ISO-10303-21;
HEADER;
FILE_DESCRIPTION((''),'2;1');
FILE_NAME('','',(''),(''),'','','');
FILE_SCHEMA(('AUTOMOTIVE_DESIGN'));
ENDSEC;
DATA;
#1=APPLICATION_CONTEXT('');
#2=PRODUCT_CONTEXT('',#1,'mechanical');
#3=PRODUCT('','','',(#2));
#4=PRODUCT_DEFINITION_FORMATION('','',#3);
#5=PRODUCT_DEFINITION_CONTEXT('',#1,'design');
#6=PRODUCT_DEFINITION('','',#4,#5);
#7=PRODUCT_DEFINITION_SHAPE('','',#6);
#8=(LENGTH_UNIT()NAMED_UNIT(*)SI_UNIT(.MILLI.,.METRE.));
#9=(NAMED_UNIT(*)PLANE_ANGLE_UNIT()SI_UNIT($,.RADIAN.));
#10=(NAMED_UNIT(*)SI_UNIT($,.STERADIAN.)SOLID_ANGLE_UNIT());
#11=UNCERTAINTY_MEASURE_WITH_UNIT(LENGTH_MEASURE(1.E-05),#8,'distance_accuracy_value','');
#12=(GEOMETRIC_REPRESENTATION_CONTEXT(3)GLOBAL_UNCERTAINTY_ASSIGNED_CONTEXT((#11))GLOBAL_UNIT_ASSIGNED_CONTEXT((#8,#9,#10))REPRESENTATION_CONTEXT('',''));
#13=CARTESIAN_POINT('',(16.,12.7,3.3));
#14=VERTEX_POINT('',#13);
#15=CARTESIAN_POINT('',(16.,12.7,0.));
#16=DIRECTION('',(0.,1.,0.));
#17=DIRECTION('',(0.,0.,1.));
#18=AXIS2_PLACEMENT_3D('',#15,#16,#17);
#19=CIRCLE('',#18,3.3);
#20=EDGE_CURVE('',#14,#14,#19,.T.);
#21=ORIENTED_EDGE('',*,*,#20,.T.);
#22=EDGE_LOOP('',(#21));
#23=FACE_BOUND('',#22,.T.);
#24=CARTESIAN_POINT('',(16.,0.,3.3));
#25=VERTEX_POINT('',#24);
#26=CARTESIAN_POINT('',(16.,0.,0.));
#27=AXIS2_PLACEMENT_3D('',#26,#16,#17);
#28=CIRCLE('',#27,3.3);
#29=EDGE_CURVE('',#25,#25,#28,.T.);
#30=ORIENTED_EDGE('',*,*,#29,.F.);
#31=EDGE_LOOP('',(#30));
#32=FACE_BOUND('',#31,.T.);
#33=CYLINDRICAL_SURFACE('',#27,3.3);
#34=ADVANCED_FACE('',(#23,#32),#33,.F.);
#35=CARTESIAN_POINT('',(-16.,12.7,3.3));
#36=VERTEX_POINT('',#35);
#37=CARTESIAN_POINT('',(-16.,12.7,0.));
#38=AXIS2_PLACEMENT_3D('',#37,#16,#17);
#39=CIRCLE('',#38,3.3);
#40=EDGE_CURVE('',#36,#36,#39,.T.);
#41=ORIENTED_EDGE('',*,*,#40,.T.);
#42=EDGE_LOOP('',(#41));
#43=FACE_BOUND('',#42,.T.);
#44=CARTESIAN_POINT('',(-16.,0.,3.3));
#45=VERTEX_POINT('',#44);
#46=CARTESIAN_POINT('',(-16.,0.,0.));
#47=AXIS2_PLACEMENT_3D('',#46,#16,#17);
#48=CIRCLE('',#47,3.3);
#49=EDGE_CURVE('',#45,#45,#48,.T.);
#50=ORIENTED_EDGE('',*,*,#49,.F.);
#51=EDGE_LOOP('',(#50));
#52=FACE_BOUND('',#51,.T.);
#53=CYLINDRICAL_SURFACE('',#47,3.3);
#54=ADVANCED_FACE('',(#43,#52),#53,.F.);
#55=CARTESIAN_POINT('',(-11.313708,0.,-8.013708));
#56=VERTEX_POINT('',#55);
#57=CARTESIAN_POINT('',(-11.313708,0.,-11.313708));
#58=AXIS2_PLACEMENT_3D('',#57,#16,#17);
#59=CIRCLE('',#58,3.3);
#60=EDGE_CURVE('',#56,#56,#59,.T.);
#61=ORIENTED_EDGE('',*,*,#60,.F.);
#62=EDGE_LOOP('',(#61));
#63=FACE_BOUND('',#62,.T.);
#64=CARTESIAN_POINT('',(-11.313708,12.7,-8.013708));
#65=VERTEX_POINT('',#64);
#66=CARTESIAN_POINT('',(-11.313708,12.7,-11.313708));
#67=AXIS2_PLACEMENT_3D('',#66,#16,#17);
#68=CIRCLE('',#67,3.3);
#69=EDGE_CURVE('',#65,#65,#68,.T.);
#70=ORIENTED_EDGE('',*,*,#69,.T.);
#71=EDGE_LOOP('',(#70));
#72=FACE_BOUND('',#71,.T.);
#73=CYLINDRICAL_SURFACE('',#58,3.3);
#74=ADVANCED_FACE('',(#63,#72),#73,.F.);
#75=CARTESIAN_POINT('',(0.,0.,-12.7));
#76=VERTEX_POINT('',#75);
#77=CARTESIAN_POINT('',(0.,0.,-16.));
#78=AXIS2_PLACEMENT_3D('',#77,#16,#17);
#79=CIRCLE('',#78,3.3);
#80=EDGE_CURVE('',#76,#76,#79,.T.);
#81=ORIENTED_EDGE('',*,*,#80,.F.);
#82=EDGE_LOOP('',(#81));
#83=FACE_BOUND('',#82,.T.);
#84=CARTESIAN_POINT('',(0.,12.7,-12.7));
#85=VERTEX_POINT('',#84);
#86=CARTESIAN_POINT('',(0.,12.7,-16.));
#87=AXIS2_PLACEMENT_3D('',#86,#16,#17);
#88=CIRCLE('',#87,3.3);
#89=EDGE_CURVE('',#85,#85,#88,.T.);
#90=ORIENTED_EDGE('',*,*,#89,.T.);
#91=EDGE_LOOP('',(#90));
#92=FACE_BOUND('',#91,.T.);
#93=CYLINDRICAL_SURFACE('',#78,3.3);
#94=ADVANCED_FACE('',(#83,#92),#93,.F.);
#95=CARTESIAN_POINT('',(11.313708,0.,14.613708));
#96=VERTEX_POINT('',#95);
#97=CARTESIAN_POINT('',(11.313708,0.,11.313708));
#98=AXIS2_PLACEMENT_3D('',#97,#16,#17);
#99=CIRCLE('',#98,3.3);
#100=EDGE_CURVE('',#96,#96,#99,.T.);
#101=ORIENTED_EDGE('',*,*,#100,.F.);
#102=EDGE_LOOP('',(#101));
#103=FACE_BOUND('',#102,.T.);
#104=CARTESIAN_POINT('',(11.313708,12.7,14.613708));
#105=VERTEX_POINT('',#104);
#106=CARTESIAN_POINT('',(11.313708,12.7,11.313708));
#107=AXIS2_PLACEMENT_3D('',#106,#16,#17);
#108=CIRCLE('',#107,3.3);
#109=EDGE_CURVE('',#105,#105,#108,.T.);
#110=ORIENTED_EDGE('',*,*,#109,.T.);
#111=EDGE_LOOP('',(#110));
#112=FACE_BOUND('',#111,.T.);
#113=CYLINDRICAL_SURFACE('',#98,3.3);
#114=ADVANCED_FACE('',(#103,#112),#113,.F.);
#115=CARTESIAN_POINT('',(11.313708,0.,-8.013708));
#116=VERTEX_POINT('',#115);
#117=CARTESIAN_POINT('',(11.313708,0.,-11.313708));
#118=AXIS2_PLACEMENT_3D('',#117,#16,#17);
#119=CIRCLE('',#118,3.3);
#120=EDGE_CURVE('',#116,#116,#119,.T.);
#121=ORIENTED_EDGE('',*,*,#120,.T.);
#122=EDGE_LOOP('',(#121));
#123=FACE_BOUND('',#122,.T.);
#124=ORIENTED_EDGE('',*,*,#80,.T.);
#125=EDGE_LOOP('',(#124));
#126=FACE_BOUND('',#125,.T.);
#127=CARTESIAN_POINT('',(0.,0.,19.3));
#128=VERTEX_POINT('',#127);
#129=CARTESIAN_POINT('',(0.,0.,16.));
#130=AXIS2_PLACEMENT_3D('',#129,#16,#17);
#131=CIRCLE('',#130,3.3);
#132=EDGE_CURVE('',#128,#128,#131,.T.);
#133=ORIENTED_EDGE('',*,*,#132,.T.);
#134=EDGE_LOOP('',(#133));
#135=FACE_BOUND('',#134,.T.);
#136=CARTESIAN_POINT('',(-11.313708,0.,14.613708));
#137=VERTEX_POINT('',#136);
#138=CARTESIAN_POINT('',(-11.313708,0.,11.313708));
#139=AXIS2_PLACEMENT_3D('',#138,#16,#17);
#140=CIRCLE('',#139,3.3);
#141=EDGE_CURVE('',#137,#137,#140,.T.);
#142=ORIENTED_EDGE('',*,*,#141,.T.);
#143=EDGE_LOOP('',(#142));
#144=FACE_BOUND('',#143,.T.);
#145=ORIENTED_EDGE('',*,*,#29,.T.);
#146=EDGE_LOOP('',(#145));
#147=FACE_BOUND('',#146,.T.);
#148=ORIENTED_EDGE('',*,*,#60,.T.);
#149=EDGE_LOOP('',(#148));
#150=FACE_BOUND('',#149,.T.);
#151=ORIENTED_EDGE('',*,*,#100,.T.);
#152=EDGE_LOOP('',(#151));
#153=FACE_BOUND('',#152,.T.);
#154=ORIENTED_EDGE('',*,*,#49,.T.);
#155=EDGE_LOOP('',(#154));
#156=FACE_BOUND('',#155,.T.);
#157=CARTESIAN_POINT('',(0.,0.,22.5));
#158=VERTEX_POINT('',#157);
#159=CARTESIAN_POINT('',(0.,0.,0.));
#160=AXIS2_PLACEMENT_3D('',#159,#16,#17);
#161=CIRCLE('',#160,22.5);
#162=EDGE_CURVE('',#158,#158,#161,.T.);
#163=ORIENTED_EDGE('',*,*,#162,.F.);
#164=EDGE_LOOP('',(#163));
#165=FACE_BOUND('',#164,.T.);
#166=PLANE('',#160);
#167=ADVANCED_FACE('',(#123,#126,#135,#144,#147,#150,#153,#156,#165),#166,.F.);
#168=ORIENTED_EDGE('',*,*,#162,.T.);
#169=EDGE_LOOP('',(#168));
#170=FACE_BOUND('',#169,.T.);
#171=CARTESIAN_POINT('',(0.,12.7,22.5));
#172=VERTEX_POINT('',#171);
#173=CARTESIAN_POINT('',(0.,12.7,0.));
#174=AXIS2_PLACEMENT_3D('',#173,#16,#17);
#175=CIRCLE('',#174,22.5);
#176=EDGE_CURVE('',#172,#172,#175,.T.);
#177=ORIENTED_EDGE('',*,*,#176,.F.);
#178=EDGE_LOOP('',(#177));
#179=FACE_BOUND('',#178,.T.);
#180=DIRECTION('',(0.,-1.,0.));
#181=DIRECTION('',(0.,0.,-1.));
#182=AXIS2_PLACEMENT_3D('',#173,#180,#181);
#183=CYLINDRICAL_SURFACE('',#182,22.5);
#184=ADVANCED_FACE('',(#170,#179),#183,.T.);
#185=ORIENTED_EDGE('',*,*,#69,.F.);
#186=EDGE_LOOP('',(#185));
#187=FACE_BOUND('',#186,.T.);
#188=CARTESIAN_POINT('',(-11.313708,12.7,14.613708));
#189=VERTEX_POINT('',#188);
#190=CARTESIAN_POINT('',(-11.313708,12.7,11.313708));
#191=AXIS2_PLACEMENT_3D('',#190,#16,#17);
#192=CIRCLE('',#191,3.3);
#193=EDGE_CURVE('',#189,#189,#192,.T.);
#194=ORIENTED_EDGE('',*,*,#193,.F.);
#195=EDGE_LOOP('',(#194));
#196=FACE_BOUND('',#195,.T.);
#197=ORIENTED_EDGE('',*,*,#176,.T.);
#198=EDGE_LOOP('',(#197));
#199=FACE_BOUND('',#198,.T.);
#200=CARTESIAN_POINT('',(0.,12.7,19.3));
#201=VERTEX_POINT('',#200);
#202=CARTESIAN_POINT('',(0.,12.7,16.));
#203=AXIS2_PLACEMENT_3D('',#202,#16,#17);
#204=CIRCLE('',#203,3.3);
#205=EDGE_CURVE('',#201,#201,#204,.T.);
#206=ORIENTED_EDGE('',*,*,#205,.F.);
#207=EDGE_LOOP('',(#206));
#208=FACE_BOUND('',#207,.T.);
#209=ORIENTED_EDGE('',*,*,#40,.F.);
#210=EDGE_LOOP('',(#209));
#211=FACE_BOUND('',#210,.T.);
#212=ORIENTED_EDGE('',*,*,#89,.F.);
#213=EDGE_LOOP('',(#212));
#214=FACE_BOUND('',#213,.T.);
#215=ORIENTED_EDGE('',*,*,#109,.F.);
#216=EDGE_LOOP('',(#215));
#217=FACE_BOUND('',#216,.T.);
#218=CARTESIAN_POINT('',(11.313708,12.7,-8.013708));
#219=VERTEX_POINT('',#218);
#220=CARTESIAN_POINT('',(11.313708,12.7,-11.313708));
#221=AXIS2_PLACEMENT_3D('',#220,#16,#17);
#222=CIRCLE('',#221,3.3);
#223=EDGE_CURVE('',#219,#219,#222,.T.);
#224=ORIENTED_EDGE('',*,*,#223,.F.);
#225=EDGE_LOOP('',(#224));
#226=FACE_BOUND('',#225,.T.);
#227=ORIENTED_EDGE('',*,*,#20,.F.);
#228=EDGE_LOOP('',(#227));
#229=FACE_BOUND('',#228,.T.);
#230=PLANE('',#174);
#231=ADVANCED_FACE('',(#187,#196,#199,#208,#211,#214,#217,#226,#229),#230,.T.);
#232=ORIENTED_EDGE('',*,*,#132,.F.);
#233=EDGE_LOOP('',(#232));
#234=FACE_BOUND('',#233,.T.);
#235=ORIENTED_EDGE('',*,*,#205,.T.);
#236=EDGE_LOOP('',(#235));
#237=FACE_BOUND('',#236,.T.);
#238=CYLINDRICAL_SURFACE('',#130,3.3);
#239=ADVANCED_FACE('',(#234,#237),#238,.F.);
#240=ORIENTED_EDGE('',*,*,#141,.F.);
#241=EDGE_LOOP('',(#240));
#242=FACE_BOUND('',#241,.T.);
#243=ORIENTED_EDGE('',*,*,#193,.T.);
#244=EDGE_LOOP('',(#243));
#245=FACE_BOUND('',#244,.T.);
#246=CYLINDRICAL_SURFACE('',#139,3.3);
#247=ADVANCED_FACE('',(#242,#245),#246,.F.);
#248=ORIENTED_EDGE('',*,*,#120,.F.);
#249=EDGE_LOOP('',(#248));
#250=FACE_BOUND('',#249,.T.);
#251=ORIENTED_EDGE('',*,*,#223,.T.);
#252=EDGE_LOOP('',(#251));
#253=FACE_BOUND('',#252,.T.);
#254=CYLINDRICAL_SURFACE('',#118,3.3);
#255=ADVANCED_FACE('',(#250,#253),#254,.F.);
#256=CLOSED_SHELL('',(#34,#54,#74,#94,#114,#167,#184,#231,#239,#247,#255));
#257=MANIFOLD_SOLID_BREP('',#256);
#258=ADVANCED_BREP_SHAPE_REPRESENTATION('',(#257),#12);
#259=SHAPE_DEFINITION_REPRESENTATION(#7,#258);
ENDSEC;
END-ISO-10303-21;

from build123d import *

# Parameters (mm, degrees)
SKETCH1_R           = 22.5
BOSS_EXTRUDE1_DEPTH = 12.7
SKETCH2_R           = 3.3
CUT_EXTRUDE1_DEPTH  = 35.260618792


with BuildPart() as part:
    # Sketch1 → Boss-Extrude1 (new body)
    with BuildSketch(Plane(origin=(0, 0, 0), x_dir=(1, 0, 0), z_dir=(0, 1, 0))):
        with Locations(Location((0, 0, 0), (0, 0, 270))):
            Circle(SKETCH1_R)
    extrude(amount=BOSS_EXTRUDE1_DEPTH)

    # Sketch2 → Cut-Extrude1 (cut, through all)
    with BuildSketch(Plane(origin=(0, 12.7, 0), x_dir=(1, 0, 0), z_dir=(0, 1, 0))):
        with Locations(Location((-16, 0, 0), (0, 0, 270))):
            Circle(SKETCH2_R)
        with Locations(Location((-11.313708499, 11.313708499, 0), (0, 0, 270))):
            Circle(SKETCH2_R)
        with Locations(Location((0, 16, 0), (0, 0, 270))):
            Circle(SKETCH2_R)
        with Locations(Location((11.313708499, 11.313708499, 0), (0, 0, 270))):
            Circle(SKETCH2_R)
        with Locations(Location((16, 0, 0), (0, 0, 270))):
            Circle(SKETCH2_R)
        with Locations(Location((11.313708499, -11.313708499, 0), (0, 0, 270))):
            Circle(SKETCH2_R)
        with Locations(Location((0, -16, 0), (0, 0, 270))):
            Circle(SKETCH2_R)
        with Locations(Location((-11.313708499, -11.313708499, 0), (0, 0, 270))):
            Circle(SKETCH2_R)
    extrude(amount=-CUT_EXTRUDE1_DEPTH, mode=Mode.SUBTRACT)


solid = part.part
